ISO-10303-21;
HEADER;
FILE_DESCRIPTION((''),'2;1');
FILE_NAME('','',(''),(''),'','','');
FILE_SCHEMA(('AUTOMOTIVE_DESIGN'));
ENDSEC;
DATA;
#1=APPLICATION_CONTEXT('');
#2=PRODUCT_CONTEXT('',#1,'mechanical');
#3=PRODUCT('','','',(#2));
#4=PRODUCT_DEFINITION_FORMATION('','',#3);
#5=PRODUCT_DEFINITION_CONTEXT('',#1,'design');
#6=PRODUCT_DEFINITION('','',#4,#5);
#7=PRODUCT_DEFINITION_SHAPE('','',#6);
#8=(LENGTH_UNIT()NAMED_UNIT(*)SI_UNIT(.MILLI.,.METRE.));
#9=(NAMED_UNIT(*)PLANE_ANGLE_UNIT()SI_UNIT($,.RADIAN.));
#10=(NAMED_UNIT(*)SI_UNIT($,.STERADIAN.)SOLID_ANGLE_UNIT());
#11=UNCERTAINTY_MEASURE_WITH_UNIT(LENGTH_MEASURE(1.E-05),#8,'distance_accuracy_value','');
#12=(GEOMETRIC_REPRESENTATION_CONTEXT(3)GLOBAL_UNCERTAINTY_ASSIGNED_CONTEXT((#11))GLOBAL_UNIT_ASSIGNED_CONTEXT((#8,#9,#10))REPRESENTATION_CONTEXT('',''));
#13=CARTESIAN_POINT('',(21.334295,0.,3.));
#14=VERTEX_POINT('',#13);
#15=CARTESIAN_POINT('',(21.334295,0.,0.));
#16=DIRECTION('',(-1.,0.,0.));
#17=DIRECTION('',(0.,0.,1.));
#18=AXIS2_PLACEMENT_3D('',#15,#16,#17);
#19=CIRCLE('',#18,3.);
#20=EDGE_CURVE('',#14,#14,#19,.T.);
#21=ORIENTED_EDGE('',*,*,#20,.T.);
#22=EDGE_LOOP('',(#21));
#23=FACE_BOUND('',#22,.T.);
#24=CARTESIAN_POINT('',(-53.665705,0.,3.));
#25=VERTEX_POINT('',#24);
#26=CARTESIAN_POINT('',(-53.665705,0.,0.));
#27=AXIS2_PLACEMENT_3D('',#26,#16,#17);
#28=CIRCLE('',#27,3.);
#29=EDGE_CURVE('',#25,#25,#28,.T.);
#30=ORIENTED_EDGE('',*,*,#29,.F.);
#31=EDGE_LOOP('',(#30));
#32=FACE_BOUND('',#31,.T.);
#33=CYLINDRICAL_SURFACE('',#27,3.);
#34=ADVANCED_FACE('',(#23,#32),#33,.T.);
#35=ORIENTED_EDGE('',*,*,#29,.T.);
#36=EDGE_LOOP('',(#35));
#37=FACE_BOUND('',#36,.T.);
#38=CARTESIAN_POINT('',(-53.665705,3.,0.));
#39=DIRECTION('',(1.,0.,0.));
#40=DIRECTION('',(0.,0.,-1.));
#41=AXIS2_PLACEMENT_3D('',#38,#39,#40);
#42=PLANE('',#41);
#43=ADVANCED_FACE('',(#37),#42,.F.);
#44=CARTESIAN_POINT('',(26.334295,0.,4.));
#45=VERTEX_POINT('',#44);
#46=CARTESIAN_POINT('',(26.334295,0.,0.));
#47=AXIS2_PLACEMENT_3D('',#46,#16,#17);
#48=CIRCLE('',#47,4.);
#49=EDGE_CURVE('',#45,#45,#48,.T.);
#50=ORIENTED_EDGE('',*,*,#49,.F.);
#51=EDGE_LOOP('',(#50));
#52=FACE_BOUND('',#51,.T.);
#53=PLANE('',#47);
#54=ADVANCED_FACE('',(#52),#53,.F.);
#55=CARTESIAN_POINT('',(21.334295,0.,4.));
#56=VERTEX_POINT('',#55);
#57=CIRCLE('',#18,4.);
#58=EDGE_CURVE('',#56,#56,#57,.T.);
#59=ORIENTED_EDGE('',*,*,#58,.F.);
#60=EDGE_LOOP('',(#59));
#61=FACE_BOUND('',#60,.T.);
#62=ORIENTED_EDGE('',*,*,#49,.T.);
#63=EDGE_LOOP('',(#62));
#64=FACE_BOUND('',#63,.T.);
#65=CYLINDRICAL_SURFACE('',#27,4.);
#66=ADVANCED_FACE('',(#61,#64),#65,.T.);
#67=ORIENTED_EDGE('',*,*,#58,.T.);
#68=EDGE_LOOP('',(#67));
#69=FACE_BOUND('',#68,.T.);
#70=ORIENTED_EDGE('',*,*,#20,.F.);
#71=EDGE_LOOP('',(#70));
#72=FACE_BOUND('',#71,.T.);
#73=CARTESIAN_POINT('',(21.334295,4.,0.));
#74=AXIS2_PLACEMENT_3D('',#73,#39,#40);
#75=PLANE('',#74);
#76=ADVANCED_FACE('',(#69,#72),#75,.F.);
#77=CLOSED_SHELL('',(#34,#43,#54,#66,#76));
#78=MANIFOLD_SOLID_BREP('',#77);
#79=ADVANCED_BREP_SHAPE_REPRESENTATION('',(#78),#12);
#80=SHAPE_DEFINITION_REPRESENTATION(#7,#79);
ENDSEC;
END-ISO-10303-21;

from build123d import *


with BuildPart() as part:
    # Esquisse2 → Révolution1 (revolve)
    with BuildSketch(Plane.XY, mode=Mode.PRIVATE) as r_volution1_sk:
        Polygon((-53.665704772, 0), (26.334295228, 0), (26.334295228, 4), (21.334295228, 4), (21.334295228, 3), (-53.665704772, 3), align=None)
    revolve(r_volution1_sk.sketch.rotate(Axis((-53.665704772, 0, 0), (1, 0, 0)), 90), axis=Axis((-53.665704772, 0, 0), (1, 0, 0)))


solid = part.part
